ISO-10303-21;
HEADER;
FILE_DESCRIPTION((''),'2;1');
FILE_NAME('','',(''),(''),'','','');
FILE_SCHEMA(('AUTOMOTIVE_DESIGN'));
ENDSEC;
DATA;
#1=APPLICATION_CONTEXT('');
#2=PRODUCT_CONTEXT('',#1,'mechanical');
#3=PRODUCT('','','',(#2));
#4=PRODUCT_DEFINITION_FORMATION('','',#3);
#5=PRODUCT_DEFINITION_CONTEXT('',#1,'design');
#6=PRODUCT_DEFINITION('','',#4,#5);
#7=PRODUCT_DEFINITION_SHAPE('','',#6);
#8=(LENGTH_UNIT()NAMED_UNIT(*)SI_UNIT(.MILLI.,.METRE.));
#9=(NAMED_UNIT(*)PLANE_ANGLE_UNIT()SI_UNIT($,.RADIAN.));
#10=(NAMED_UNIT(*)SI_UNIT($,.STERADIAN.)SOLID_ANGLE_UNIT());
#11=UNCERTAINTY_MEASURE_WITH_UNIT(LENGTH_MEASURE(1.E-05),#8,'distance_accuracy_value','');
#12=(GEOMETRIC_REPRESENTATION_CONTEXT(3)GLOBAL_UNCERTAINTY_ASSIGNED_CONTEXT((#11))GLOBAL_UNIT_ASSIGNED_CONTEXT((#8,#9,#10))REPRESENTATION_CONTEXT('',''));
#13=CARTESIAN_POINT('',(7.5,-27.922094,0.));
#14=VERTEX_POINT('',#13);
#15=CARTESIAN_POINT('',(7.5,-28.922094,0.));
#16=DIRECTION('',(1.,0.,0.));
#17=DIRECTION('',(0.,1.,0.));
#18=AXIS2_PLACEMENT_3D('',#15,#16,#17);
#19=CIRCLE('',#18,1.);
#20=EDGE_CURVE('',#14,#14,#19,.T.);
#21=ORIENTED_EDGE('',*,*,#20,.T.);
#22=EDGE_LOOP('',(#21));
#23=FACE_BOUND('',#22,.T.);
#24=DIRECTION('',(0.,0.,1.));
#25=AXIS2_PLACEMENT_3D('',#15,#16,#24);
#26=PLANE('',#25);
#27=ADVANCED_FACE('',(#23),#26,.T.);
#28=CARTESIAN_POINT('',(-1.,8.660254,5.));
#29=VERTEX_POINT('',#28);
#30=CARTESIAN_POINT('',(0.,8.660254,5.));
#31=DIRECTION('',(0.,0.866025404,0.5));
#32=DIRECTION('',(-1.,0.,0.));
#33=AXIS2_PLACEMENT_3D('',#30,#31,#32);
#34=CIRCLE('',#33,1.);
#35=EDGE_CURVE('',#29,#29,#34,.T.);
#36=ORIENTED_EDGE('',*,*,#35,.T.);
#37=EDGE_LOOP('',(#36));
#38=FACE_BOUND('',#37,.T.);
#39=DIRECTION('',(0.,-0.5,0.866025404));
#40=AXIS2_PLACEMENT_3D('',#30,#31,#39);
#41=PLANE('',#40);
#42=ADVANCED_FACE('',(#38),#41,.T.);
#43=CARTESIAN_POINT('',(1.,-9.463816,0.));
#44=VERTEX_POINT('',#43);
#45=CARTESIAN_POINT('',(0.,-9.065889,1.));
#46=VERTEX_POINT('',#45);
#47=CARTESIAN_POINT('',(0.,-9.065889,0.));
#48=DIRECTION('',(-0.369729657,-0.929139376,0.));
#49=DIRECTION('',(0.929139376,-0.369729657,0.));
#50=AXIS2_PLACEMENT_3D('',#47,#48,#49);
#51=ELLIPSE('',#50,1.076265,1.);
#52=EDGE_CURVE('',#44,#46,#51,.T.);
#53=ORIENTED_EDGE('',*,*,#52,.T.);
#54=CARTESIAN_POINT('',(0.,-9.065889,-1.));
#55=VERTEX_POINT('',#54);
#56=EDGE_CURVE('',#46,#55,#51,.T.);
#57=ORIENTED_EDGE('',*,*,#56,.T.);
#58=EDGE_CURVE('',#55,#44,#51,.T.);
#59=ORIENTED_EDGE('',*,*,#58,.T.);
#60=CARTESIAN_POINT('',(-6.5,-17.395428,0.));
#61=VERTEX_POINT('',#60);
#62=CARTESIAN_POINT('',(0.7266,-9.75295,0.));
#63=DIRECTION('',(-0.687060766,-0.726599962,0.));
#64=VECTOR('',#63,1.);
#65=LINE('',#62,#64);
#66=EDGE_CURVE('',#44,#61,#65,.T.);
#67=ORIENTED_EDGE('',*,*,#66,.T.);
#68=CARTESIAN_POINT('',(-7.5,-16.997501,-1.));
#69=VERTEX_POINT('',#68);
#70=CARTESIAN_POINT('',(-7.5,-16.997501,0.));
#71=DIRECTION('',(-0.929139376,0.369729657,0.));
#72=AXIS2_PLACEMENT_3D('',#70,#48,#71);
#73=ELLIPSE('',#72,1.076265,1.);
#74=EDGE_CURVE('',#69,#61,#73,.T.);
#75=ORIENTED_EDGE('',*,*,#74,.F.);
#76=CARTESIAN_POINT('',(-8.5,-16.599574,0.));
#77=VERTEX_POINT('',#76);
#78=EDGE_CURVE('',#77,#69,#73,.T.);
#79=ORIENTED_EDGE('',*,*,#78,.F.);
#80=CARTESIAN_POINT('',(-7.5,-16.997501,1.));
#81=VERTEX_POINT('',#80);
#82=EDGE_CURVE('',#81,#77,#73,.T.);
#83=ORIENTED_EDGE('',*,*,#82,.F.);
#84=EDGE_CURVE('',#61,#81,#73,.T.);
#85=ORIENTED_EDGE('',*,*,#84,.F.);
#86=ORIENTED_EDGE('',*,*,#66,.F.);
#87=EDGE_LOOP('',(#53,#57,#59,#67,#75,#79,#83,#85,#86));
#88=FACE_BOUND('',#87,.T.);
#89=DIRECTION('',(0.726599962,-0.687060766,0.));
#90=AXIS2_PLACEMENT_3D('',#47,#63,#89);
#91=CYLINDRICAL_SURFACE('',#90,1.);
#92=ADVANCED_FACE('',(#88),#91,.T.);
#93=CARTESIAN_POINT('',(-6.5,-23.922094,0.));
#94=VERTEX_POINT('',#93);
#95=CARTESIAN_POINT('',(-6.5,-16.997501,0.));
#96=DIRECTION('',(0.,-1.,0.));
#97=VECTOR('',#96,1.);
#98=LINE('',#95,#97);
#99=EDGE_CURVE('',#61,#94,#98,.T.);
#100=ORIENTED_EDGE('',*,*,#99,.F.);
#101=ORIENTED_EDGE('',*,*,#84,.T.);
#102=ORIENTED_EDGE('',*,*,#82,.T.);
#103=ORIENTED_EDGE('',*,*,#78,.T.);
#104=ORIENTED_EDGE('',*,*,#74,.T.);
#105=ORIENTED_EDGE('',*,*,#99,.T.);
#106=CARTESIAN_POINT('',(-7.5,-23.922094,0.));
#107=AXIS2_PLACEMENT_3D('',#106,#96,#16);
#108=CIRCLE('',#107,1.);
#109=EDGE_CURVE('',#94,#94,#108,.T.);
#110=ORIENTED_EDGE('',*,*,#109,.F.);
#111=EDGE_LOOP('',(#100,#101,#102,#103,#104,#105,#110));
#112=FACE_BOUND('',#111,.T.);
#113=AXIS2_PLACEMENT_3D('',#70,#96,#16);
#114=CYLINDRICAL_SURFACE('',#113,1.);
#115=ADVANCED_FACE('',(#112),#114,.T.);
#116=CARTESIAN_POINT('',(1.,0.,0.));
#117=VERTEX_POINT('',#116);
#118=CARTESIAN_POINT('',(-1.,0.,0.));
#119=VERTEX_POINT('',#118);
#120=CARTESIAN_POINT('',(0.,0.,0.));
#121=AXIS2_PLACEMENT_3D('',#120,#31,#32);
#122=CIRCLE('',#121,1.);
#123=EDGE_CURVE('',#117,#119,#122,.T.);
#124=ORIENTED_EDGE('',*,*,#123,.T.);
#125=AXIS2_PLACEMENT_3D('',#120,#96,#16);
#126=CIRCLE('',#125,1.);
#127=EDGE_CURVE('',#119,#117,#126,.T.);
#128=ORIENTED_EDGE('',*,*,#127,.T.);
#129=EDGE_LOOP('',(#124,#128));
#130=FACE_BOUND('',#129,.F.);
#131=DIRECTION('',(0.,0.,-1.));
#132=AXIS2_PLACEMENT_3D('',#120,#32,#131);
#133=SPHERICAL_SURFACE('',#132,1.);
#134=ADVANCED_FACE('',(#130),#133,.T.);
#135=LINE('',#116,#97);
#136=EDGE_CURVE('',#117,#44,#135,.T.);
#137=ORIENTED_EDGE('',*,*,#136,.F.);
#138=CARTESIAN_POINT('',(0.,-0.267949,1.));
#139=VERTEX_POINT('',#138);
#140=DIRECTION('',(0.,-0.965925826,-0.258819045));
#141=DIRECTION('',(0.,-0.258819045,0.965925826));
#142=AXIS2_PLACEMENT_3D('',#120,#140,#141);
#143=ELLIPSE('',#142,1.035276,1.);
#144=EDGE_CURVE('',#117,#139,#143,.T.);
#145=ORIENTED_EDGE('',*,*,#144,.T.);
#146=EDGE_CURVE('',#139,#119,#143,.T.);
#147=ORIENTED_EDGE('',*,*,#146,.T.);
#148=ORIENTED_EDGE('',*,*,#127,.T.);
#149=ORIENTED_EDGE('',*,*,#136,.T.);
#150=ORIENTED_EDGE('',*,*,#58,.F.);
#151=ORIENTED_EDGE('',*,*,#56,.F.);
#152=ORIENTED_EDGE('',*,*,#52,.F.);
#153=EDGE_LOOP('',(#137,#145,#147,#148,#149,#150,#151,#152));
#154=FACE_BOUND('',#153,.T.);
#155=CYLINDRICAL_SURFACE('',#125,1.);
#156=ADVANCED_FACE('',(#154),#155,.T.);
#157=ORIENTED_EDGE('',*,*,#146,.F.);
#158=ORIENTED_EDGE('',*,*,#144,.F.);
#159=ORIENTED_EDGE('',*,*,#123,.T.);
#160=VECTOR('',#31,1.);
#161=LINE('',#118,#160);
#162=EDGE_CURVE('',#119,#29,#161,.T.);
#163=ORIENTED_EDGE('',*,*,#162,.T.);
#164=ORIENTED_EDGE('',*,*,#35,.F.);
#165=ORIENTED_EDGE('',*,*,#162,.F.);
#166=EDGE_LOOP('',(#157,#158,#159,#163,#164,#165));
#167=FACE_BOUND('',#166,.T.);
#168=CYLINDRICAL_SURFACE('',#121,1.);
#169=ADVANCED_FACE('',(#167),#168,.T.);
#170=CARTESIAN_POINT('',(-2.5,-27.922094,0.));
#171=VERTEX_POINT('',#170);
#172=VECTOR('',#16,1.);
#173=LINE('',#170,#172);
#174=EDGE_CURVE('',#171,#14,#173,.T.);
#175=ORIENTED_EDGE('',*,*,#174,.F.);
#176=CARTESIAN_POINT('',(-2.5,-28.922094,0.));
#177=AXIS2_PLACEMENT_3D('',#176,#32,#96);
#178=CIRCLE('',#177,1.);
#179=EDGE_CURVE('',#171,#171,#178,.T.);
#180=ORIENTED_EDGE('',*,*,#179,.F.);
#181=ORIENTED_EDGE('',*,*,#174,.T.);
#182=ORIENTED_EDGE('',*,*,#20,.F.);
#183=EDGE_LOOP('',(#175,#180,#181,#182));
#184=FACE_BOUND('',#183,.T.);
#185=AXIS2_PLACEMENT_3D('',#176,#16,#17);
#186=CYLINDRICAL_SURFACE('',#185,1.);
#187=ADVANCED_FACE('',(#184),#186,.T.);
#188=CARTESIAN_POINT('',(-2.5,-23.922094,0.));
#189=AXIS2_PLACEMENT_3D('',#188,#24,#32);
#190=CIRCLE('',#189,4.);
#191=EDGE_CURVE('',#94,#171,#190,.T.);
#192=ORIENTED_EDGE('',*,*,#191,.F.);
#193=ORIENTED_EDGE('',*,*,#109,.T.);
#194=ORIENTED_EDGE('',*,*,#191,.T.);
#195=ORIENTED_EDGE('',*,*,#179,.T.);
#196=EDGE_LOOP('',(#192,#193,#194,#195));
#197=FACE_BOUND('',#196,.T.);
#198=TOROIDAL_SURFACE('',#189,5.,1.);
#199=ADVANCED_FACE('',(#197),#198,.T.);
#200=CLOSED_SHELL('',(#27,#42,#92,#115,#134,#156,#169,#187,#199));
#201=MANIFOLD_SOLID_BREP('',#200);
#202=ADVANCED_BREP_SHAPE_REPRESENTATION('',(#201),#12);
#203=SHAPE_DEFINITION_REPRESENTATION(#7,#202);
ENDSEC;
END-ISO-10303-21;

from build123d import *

# Parameters (mm, degrees)
F1_R     = 1
F5_R     = 1
F9_ANGLE = 30


with BuildPart() as f2:
    # F2: sweep along a path in F0
    with BuildLine(Plane.XY) as f2_path:
        Line((0, 0), (0, -9.0658888221))
        Line((0, -9.0658888221), (-7.5, -16.9975012541))
        Line((-7.5, -16.9975012541), (-7.5, -23.9220938832))
        ThreePointArc((-7.5, -23.9220938832), (-6.0355339059, -27.4576277891), (-2.5, -28.9220938832))
        Line((-2.5, -28.9220938832), (7.5, -28.9220938832))
    # F1 (on Front) → F2 (sweep)
    with BuildSketch(Plane.XZ):
        Circle(F1_R)
    sweep(path=f2_path.line, transition=Transition.RIGHT)

    # F8: sweep along a path in F7
    with BuildLine(Plane.YZ) as f8_path:
        Line((0, 0), (8.6602540378, 5))
    # F5 (on line) → F8 (sweep)
    with BuildSketch(Plane(origin=(0, 0, 0), x_dir=(-1, 0, 0), z_dir=(0, 0.8660254038, 0.5))):
        Circle(F5_R)
    sweep(path=f8_path.line)

    # F3 (on face) → F9 (revolve)
    with BuildSketch(Plane(origin=(0, 0, 0), x_dir=(-1, 0, 0), z_dir=(0, 1, 0))):
        with BuildLine():
            ThreePointArc((-1, 0), (0, -1), (1, 0))
            Line((1, 0), (-1, 0))
        make_face()
    revolve(axis=Axis((0, 0, 0), (1, 0, 0)), revolution_arc=F9_ANGLE)


solid = f2.part
